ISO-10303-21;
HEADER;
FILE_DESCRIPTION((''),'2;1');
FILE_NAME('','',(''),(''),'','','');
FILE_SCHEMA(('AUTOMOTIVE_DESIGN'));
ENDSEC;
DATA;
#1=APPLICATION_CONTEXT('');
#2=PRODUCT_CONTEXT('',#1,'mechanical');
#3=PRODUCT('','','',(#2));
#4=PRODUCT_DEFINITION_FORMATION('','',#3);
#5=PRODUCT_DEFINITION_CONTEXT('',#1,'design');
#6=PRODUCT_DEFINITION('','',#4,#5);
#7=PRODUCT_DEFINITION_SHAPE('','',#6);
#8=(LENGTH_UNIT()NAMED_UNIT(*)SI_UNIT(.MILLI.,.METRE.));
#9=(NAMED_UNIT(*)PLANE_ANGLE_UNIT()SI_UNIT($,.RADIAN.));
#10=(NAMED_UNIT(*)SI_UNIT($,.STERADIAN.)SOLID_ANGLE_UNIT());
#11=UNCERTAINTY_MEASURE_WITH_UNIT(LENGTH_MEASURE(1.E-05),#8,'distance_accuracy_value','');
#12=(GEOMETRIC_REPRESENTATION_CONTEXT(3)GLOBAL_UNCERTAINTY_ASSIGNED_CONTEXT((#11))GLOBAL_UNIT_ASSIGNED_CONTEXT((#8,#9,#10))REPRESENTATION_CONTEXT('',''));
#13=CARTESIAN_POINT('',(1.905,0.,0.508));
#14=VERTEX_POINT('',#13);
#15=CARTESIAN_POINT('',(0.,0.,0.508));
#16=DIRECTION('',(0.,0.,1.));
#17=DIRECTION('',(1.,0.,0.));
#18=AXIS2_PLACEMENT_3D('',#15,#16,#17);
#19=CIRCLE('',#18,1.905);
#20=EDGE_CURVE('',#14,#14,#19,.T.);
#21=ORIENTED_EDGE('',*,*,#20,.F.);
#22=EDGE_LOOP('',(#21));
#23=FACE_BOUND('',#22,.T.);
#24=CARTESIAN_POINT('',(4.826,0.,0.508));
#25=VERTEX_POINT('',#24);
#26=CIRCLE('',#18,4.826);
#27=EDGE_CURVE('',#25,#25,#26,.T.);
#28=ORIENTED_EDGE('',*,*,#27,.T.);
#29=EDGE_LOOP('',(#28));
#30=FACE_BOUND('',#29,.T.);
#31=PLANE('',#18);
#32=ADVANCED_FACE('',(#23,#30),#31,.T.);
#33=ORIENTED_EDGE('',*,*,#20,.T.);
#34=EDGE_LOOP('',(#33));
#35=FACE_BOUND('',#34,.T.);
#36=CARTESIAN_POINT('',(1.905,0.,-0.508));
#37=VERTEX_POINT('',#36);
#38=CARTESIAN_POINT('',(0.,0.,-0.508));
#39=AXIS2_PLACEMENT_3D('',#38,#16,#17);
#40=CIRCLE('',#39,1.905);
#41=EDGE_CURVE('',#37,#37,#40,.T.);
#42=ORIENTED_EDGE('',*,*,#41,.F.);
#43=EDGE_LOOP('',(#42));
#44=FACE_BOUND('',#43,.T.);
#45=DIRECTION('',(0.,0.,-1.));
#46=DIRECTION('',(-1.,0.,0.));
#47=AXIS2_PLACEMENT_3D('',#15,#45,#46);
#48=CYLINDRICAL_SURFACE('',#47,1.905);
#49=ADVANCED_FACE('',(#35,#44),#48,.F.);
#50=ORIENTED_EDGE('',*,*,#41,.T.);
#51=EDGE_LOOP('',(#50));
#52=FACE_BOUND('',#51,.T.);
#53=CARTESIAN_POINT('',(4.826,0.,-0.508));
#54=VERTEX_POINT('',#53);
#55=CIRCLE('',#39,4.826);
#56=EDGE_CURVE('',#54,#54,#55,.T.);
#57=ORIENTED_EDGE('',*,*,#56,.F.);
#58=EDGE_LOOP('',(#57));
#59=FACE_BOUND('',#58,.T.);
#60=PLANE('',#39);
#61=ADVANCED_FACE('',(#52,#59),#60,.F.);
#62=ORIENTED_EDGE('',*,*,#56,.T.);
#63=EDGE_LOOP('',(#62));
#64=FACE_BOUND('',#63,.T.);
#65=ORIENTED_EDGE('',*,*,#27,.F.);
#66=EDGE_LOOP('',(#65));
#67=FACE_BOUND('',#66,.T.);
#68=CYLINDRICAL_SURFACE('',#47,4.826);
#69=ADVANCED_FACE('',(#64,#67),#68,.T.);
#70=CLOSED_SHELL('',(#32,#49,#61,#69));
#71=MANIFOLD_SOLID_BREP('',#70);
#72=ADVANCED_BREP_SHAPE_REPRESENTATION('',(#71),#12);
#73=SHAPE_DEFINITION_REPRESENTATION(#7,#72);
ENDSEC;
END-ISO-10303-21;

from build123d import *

# Parameters (mm, degrees)
BOSS_EXTRUDE1_DEPTH      = 0.508
BOSS_EXTRUDE1_DEPTH_BACK = 0.508
SKETCH3_R                = 4.826
SKETCH3_R_2              = 1.905


with BuildPart() as part:
    # Sketch3 → Boss-Extrude1 (new, two sides: drawn at the far end of the back side and taken through both)
    with BuildSketch(Plane.XY.offset(-BOSS_EXTRUDE1_DEPTH_BACK)):
        Circle(SKETCH3_R)
        Circle(SKETCH3_R_2, mode=Mode.SUBTRACT)
    extrude(amount=BOSS_EXTRUDE1_DEPTH + BOSS_EXTRUDE1_DEPTH_BACK)


solid = part.part
